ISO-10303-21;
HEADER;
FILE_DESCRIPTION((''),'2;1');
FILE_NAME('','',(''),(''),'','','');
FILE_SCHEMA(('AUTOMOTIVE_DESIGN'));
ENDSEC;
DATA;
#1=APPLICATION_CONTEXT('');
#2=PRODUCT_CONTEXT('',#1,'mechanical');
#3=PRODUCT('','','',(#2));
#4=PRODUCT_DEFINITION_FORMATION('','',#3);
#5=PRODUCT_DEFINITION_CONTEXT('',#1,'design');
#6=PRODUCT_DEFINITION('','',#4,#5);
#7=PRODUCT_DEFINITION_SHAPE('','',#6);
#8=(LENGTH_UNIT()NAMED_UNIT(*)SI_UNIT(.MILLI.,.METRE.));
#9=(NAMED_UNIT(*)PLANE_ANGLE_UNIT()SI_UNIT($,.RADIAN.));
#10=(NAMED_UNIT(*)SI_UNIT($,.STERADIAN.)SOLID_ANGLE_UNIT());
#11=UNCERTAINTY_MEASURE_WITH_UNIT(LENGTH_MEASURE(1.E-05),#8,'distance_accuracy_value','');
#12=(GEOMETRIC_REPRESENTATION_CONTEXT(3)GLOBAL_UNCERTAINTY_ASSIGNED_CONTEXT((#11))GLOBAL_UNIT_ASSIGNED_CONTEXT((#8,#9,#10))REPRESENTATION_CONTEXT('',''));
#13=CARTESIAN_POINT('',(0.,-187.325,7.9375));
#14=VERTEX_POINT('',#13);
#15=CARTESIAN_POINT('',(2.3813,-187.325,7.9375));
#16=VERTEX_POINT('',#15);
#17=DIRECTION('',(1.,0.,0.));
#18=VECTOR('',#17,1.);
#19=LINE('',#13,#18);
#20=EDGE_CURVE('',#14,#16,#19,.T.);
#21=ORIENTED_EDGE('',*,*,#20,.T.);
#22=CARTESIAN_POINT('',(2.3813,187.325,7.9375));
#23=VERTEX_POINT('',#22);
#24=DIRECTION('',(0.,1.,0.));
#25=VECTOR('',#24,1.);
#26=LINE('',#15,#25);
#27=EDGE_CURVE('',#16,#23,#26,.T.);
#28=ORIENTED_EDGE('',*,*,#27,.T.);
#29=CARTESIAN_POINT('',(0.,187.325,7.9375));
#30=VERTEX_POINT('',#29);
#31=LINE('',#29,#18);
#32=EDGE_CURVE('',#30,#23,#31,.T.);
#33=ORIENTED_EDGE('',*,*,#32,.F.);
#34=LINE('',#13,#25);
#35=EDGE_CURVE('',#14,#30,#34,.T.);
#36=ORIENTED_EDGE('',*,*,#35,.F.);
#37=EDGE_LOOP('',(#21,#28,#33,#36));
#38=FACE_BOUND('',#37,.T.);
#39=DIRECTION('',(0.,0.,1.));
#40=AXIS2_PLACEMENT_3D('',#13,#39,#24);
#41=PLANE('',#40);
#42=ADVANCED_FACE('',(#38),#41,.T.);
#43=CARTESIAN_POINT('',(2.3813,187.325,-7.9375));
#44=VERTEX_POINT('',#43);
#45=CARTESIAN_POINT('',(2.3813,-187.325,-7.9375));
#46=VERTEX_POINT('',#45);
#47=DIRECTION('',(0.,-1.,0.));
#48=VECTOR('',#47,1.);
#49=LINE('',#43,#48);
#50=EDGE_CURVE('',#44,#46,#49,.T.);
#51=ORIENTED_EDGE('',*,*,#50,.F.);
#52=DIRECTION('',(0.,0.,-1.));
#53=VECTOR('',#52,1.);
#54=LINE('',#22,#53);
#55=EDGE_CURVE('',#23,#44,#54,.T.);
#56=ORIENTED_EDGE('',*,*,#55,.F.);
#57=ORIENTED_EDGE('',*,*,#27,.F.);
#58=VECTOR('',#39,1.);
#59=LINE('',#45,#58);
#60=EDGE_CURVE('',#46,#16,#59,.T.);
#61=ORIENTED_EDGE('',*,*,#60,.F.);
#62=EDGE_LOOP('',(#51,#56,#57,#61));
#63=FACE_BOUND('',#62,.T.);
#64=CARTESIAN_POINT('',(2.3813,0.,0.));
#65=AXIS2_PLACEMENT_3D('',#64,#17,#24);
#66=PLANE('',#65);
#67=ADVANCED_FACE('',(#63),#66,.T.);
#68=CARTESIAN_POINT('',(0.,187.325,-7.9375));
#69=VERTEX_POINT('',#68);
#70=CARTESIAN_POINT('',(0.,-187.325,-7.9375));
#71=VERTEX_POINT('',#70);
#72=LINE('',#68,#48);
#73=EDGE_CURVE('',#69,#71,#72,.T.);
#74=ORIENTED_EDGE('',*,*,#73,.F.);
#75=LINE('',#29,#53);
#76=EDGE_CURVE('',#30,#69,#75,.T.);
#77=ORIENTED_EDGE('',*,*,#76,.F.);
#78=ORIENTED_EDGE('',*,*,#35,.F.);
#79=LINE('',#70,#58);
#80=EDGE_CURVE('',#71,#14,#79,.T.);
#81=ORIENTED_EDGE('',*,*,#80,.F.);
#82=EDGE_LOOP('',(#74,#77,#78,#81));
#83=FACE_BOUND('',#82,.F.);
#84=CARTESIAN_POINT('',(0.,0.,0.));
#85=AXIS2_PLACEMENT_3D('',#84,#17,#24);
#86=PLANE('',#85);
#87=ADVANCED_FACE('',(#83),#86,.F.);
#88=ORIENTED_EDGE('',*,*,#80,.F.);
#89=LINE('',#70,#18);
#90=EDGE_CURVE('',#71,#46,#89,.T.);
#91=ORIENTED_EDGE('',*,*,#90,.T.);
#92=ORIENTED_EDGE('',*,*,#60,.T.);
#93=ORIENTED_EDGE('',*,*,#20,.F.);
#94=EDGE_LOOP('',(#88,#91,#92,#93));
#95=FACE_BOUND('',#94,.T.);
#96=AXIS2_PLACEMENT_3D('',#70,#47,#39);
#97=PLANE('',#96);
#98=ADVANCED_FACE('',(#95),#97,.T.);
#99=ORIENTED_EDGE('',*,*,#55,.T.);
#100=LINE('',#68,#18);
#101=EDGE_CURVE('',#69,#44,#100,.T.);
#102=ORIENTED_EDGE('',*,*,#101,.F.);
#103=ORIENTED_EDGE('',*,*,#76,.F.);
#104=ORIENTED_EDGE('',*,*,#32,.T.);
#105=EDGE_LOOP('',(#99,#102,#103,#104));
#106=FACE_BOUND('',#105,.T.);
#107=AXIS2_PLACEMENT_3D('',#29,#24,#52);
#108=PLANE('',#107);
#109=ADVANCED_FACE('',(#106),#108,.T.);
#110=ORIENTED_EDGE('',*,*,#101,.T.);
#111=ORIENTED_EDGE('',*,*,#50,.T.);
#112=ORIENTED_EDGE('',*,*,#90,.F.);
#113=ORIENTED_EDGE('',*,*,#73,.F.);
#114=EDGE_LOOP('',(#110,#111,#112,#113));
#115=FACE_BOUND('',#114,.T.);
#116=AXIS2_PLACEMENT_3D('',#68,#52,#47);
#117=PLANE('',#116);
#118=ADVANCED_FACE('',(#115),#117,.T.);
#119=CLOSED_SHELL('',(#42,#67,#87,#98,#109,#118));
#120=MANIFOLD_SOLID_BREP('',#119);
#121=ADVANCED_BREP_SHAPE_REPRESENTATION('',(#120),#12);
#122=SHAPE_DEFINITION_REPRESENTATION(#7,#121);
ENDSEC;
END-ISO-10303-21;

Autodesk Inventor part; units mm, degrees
ref_plane "YZ Plane" through (0, 0, 0) normal (1, 0, 0) x (0, 1, 0)
ref_plane "XZ Plane" through (0, 0, 0) normal (0, 1, 0) x (-1, 0, 0)
ref_plane "XY Plane" through (0, 0, 0) normal (0, 0, 1) x (1, 0, 0)
sketch "Sketch1" plane through (0, 0, 0) normal (1, 0, 0) x (0, 1, 0)
  line L0 (-187.325, 7.9375) -> (187.325, 7.9375)
  line L1 (187.325, 7.9375) -> (187.325, -7.9375)
  line L2 (187.325, -7.9375) -> (-187.325, -7.9375)
  line L3 (-187.325, -7.9375) -> (-187.325, 7.9375)
  line L4 (-187.325, 7.9375) -> (187.325, -7.9375) construction
  line L5 (187.325, 7.9375) -> (-187.325, -7.9375) construction
  point P0 (0, 0)
  dimension "d0" = 374.65
  dimension "d1" = 15.875
extrude "Extrusion1" add sketch "Sketch1" along normal blind 2.3813
properties part number "FE-130-004 End Tube Mount" material "Aluminum 6061"
